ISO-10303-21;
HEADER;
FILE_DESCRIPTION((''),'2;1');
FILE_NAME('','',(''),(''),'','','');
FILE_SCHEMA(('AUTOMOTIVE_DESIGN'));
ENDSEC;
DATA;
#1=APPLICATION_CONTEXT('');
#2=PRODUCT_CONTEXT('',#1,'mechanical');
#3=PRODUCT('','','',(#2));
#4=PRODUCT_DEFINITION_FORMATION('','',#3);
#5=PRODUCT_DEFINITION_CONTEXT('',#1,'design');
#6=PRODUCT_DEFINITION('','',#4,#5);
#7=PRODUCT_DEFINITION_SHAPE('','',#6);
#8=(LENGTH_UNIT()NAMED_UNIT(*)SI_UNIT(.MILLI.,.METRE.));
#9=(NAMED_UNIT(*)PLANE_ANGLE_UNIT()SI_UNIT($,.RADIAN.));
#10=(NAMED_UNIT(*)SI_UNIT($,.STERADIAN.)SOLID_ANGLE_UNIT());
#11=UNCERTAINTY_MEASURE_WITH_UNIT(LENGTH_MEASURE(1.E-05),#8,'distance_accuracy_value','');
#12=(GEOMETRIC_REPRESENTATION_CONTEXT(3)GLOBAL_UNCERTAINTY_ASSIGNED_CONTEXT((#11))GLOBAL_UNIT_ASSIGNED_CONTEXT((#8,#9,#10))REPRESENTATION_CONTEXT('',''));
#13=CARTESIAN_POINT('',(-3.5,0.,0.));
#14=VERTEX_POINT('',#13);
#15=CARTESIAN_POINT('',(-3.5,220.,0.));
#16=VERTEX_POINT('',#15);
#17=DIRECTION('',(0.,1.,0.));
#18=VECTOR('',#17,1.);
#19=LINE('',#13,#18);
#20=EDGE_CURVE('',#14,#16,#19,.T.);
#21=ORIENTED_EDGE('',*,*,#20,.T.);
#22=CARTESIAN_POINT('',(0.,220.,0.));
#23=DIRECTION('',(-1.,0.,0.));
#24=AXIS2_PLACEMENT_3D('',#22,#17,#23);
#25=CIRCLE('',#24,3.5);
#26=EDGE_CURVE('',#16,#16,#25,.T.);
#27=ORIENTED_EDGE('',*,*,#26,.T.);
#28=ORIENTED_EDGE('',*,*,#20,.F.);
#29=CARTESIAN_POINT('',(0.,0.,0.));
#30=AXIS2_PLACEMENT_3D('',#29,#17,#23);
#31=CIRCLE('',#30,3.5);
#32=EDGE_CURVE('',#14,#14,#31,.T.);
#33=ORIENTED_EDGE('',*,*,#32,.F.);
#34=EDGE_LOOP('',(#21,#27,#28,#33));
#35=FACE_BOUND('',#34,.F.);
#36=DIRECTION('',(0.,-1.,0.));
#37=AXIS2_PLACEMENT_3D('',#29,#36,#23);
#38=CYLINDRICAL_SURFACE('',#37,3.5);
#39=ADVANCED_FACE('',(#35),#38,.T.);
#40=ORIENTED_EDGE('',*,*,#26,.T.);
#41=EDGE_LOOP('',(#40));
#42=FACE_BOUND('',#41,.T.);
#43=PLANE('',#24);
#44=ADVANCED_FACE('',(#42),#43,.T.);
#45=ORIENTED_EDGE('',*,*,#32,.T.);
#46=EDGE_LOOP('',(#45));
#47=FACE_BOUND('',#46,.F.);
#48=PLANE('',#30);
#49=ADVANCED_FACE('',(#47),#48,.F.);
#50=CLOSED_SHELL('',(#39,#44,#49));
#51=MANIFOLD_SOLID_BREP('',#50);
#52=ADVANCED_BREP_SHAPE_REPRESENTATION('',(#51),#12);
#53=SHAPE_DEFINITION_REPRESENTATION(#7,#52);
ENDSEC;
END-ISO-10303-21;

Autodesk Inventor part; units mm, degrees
ref_plane "YZ Plane" through (0, 0, 0) normal (1, 0, 0) x (0, 1, 0)
ref_plane "XZ Plane" through (0, 0, 0) normal (0, 1, 0) x (-1, 0, 0)
ref_plane "XY Plane" through (0, 0, 0) normal (0, 0, 1) x (1, 0, 0)
sketch "Sketch1" plane through (0, 0, 0) normal (0, 0, 1) x (1, 0, 0)
  point P0 (0, 0)
sketch "Sketch2" plane through (0, 0, 0) normal (0, 1, 0) x (-1, 0, 0)
  circle A0 centre (0, 0) radius 3.5
  dimension "d0" = 7
extrude "Extrusion1" add sketch "Sketch2" along normal blind 220
properties part number "FP V2 Spring Beam connector"
